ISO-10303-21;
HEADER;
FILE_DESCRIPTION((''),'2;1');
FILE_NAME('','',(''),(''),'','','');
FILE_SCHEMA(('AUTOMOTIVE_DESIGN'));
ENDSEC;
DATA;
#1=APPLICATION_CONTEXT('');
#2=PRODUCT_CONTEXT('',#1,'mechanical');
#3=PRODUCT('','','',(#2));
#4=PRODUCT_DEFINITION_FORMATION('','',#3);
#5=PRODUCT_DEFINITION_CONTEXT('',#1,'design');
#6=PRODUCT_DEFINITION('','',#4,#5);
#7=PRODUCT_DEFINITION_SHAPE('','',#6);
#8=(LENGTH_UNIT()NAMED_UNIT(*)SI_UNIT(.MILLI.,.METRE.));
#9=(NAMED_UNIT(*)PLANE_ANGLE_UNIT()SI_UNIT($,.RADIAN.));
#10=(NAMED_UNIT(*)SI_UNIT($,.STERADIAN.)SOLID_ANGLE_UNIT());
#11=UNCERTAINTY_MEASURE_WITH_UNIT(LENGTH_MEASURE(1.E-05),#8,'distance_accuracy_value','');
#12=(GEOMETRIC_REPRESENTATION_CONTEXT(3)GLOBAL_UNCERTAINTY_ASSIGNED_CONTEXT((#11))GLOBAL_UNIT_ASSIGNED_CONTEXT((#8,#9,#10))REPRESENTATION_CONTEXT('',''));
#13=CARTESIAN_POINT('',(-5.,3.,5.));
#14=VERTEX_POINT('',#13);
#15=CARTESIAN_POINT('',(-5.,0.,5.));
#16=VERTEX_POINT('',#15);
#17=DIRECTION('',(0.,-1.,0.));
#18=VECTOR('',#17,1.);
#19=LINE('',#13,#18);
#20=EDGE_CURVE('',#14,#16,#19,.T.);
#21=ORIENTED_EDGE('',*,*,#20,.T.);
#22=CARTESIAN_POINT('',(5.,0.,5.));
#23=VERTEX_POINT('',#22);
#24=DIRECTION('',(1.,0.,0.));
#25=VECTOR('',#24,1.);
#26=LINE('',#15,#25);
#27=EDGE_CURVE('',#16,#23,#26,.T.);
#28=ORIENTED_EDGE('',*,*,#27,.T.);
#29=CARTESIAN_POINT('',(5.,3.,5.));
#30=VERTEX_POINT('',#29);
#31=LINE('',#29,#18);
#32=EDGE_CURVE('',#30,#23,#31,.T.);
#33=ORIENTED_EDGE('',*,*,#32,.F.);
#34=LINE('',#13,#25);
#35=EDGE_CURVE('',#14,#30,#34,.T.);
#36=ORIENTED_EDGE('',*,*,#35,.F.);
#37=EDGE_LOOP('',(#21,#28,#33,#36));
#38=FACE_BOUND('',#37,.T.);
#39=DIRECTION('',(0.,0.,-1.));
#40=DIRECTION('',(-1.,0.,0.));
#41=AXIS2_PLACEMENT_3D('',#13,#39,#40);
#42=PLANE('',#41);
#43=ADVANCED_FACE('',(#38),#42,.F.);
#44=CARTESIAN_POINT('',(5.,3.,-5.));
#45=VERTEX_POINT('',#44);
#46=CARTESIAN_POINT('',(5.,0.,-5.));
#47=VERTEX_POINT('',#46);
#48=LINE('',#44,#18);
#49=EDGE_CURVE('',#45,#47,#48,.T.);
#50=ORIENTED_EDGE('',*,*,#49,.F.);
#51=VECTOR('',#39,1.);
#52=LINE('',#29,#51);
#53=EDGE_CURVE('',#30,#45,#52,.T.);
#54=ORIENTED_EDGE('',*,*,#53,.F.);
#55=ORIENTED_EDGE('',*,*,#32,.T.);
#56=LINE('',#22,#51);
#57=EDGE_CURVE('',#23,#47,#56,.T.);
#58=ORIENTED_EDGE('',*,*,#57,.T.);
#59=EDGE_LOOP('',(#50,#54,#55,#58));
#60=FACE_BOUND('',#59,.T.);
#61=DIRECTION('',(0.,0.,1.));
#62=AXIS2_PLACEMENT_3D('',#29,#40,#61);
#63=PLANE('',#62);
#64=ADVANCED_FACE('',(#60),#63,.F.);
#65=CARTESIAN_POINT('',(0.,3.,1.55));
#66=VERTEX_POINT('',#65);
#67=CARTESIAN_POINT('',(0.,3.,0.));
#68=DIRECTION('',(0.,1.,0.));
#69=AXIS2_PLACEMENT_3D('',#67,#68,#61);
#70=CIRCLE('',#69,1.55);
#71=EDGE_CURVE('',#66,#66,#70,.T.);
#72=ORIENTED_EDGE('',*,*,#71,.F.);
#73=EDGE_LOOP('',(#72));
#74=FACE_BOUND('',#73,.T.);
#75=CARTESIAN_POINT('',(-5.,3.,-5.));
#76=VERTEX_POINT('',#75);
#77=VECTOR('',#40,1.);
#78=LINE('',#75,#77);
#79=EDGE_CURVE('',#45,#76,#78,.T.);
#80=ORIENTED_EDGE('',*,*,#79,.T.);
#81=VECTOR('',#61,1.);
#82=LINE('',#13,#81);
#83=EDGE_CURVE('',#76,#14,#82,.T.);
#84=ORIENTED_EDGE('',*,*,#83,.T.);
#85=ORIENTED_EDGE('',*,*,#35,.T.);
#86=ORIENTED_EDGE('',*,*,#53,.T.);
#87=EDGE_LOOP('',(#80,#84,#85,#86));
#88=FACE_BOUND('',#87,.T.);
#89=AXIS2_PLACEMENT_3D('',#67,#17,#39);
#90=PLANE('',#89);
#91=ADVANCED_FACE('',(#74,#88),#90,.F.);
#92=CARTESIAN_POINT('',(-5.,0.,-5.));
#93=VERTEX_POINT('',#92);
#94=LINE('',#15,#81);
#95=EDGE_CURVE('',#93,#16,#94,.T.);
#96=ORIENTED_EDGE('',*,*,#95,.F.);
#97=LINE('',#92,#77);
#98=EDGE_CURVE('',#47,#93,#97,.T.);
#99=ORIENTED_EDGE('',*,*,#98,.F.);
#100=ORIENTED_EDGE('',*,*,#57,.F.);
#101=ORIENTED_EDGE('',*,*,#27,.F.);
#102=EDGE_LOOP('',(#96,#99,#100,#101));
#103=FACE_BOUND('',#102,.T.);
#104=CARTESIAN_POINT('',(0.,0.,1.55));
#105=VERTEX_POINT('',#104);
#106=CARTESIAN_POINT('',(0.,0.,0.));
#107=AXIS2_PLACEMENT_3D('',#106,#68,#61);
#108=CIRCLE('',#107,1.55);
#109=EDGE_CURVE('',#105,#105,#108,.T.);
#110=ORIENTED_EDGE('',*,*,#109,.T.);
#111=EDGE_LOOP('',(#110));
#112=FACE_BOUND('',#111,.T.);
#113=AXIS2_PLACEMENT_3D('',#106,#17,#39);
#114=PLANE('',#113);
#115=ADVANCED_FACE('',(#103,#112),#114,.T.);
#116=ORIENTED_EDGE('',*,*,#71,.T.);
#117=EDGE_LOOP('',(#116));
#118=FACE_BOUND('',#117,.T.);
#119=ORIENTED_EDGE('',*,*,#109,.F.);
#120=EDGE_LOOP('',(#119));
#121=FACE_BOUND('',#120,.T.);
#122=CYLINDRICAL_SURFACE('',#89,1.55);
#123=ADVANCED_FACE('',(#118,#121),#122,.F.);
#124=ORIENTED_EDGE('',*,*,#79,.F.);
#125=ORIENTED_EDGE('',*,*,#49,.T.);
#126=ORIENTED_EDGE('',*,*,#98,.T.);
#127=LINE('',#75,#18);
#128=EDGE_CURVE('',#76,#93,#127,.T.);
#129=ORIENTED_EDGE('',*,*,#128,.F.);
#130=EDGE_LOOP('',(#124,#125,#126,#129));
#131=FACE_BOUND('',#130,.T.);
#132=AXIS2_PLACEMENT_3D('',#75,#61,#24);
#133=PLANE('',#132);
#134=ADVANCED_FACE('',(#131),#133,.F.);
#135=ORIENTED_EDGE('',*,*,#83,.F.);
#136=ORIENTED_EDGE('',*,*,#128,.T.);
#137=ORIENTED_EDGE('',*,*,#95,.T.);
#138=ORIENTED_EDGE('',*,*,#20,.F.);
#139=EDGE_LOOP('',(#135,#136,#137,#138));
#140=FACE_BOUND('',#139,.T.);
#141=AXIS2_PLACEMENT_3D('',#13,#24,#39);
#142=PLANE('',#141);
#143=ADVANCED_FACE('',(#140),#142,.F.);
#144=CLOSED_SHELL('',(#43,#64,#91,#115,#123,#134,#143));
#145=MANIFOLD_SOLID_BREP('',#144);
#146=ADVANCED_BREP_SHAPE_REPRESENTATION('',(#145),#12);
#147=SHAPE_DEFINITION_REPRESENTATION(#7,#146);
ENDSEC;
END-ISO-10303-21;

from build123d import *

# Parameters (mm, degrees)
CROQUIS1_W              = 10
CROQUIS1_H              = 10
CROQUIS1_R              = 1.55
SALIENTE_EXTRUIR1_DEPTH = 3


with BuildPart() as part:
    # Croquis1 → Saliente-Extruir1 (new body)
    with BuildSketch(Plane(origin=(0, 0, 0), x_dir=(1, 0, 0), z_dir=(0, 1, 0))):
        Rectangle(CROQUIS1_W, CROQUIS1_H)
        with Locations(Location((0, 0, 0), (0, 0, 270))):
            Circle(CROQUIS1_R, mode=Mode.SUBTRACT)
    extrude(amount=SALIENTE_EXTRUIR1_DEPTH)


solid = part.part
